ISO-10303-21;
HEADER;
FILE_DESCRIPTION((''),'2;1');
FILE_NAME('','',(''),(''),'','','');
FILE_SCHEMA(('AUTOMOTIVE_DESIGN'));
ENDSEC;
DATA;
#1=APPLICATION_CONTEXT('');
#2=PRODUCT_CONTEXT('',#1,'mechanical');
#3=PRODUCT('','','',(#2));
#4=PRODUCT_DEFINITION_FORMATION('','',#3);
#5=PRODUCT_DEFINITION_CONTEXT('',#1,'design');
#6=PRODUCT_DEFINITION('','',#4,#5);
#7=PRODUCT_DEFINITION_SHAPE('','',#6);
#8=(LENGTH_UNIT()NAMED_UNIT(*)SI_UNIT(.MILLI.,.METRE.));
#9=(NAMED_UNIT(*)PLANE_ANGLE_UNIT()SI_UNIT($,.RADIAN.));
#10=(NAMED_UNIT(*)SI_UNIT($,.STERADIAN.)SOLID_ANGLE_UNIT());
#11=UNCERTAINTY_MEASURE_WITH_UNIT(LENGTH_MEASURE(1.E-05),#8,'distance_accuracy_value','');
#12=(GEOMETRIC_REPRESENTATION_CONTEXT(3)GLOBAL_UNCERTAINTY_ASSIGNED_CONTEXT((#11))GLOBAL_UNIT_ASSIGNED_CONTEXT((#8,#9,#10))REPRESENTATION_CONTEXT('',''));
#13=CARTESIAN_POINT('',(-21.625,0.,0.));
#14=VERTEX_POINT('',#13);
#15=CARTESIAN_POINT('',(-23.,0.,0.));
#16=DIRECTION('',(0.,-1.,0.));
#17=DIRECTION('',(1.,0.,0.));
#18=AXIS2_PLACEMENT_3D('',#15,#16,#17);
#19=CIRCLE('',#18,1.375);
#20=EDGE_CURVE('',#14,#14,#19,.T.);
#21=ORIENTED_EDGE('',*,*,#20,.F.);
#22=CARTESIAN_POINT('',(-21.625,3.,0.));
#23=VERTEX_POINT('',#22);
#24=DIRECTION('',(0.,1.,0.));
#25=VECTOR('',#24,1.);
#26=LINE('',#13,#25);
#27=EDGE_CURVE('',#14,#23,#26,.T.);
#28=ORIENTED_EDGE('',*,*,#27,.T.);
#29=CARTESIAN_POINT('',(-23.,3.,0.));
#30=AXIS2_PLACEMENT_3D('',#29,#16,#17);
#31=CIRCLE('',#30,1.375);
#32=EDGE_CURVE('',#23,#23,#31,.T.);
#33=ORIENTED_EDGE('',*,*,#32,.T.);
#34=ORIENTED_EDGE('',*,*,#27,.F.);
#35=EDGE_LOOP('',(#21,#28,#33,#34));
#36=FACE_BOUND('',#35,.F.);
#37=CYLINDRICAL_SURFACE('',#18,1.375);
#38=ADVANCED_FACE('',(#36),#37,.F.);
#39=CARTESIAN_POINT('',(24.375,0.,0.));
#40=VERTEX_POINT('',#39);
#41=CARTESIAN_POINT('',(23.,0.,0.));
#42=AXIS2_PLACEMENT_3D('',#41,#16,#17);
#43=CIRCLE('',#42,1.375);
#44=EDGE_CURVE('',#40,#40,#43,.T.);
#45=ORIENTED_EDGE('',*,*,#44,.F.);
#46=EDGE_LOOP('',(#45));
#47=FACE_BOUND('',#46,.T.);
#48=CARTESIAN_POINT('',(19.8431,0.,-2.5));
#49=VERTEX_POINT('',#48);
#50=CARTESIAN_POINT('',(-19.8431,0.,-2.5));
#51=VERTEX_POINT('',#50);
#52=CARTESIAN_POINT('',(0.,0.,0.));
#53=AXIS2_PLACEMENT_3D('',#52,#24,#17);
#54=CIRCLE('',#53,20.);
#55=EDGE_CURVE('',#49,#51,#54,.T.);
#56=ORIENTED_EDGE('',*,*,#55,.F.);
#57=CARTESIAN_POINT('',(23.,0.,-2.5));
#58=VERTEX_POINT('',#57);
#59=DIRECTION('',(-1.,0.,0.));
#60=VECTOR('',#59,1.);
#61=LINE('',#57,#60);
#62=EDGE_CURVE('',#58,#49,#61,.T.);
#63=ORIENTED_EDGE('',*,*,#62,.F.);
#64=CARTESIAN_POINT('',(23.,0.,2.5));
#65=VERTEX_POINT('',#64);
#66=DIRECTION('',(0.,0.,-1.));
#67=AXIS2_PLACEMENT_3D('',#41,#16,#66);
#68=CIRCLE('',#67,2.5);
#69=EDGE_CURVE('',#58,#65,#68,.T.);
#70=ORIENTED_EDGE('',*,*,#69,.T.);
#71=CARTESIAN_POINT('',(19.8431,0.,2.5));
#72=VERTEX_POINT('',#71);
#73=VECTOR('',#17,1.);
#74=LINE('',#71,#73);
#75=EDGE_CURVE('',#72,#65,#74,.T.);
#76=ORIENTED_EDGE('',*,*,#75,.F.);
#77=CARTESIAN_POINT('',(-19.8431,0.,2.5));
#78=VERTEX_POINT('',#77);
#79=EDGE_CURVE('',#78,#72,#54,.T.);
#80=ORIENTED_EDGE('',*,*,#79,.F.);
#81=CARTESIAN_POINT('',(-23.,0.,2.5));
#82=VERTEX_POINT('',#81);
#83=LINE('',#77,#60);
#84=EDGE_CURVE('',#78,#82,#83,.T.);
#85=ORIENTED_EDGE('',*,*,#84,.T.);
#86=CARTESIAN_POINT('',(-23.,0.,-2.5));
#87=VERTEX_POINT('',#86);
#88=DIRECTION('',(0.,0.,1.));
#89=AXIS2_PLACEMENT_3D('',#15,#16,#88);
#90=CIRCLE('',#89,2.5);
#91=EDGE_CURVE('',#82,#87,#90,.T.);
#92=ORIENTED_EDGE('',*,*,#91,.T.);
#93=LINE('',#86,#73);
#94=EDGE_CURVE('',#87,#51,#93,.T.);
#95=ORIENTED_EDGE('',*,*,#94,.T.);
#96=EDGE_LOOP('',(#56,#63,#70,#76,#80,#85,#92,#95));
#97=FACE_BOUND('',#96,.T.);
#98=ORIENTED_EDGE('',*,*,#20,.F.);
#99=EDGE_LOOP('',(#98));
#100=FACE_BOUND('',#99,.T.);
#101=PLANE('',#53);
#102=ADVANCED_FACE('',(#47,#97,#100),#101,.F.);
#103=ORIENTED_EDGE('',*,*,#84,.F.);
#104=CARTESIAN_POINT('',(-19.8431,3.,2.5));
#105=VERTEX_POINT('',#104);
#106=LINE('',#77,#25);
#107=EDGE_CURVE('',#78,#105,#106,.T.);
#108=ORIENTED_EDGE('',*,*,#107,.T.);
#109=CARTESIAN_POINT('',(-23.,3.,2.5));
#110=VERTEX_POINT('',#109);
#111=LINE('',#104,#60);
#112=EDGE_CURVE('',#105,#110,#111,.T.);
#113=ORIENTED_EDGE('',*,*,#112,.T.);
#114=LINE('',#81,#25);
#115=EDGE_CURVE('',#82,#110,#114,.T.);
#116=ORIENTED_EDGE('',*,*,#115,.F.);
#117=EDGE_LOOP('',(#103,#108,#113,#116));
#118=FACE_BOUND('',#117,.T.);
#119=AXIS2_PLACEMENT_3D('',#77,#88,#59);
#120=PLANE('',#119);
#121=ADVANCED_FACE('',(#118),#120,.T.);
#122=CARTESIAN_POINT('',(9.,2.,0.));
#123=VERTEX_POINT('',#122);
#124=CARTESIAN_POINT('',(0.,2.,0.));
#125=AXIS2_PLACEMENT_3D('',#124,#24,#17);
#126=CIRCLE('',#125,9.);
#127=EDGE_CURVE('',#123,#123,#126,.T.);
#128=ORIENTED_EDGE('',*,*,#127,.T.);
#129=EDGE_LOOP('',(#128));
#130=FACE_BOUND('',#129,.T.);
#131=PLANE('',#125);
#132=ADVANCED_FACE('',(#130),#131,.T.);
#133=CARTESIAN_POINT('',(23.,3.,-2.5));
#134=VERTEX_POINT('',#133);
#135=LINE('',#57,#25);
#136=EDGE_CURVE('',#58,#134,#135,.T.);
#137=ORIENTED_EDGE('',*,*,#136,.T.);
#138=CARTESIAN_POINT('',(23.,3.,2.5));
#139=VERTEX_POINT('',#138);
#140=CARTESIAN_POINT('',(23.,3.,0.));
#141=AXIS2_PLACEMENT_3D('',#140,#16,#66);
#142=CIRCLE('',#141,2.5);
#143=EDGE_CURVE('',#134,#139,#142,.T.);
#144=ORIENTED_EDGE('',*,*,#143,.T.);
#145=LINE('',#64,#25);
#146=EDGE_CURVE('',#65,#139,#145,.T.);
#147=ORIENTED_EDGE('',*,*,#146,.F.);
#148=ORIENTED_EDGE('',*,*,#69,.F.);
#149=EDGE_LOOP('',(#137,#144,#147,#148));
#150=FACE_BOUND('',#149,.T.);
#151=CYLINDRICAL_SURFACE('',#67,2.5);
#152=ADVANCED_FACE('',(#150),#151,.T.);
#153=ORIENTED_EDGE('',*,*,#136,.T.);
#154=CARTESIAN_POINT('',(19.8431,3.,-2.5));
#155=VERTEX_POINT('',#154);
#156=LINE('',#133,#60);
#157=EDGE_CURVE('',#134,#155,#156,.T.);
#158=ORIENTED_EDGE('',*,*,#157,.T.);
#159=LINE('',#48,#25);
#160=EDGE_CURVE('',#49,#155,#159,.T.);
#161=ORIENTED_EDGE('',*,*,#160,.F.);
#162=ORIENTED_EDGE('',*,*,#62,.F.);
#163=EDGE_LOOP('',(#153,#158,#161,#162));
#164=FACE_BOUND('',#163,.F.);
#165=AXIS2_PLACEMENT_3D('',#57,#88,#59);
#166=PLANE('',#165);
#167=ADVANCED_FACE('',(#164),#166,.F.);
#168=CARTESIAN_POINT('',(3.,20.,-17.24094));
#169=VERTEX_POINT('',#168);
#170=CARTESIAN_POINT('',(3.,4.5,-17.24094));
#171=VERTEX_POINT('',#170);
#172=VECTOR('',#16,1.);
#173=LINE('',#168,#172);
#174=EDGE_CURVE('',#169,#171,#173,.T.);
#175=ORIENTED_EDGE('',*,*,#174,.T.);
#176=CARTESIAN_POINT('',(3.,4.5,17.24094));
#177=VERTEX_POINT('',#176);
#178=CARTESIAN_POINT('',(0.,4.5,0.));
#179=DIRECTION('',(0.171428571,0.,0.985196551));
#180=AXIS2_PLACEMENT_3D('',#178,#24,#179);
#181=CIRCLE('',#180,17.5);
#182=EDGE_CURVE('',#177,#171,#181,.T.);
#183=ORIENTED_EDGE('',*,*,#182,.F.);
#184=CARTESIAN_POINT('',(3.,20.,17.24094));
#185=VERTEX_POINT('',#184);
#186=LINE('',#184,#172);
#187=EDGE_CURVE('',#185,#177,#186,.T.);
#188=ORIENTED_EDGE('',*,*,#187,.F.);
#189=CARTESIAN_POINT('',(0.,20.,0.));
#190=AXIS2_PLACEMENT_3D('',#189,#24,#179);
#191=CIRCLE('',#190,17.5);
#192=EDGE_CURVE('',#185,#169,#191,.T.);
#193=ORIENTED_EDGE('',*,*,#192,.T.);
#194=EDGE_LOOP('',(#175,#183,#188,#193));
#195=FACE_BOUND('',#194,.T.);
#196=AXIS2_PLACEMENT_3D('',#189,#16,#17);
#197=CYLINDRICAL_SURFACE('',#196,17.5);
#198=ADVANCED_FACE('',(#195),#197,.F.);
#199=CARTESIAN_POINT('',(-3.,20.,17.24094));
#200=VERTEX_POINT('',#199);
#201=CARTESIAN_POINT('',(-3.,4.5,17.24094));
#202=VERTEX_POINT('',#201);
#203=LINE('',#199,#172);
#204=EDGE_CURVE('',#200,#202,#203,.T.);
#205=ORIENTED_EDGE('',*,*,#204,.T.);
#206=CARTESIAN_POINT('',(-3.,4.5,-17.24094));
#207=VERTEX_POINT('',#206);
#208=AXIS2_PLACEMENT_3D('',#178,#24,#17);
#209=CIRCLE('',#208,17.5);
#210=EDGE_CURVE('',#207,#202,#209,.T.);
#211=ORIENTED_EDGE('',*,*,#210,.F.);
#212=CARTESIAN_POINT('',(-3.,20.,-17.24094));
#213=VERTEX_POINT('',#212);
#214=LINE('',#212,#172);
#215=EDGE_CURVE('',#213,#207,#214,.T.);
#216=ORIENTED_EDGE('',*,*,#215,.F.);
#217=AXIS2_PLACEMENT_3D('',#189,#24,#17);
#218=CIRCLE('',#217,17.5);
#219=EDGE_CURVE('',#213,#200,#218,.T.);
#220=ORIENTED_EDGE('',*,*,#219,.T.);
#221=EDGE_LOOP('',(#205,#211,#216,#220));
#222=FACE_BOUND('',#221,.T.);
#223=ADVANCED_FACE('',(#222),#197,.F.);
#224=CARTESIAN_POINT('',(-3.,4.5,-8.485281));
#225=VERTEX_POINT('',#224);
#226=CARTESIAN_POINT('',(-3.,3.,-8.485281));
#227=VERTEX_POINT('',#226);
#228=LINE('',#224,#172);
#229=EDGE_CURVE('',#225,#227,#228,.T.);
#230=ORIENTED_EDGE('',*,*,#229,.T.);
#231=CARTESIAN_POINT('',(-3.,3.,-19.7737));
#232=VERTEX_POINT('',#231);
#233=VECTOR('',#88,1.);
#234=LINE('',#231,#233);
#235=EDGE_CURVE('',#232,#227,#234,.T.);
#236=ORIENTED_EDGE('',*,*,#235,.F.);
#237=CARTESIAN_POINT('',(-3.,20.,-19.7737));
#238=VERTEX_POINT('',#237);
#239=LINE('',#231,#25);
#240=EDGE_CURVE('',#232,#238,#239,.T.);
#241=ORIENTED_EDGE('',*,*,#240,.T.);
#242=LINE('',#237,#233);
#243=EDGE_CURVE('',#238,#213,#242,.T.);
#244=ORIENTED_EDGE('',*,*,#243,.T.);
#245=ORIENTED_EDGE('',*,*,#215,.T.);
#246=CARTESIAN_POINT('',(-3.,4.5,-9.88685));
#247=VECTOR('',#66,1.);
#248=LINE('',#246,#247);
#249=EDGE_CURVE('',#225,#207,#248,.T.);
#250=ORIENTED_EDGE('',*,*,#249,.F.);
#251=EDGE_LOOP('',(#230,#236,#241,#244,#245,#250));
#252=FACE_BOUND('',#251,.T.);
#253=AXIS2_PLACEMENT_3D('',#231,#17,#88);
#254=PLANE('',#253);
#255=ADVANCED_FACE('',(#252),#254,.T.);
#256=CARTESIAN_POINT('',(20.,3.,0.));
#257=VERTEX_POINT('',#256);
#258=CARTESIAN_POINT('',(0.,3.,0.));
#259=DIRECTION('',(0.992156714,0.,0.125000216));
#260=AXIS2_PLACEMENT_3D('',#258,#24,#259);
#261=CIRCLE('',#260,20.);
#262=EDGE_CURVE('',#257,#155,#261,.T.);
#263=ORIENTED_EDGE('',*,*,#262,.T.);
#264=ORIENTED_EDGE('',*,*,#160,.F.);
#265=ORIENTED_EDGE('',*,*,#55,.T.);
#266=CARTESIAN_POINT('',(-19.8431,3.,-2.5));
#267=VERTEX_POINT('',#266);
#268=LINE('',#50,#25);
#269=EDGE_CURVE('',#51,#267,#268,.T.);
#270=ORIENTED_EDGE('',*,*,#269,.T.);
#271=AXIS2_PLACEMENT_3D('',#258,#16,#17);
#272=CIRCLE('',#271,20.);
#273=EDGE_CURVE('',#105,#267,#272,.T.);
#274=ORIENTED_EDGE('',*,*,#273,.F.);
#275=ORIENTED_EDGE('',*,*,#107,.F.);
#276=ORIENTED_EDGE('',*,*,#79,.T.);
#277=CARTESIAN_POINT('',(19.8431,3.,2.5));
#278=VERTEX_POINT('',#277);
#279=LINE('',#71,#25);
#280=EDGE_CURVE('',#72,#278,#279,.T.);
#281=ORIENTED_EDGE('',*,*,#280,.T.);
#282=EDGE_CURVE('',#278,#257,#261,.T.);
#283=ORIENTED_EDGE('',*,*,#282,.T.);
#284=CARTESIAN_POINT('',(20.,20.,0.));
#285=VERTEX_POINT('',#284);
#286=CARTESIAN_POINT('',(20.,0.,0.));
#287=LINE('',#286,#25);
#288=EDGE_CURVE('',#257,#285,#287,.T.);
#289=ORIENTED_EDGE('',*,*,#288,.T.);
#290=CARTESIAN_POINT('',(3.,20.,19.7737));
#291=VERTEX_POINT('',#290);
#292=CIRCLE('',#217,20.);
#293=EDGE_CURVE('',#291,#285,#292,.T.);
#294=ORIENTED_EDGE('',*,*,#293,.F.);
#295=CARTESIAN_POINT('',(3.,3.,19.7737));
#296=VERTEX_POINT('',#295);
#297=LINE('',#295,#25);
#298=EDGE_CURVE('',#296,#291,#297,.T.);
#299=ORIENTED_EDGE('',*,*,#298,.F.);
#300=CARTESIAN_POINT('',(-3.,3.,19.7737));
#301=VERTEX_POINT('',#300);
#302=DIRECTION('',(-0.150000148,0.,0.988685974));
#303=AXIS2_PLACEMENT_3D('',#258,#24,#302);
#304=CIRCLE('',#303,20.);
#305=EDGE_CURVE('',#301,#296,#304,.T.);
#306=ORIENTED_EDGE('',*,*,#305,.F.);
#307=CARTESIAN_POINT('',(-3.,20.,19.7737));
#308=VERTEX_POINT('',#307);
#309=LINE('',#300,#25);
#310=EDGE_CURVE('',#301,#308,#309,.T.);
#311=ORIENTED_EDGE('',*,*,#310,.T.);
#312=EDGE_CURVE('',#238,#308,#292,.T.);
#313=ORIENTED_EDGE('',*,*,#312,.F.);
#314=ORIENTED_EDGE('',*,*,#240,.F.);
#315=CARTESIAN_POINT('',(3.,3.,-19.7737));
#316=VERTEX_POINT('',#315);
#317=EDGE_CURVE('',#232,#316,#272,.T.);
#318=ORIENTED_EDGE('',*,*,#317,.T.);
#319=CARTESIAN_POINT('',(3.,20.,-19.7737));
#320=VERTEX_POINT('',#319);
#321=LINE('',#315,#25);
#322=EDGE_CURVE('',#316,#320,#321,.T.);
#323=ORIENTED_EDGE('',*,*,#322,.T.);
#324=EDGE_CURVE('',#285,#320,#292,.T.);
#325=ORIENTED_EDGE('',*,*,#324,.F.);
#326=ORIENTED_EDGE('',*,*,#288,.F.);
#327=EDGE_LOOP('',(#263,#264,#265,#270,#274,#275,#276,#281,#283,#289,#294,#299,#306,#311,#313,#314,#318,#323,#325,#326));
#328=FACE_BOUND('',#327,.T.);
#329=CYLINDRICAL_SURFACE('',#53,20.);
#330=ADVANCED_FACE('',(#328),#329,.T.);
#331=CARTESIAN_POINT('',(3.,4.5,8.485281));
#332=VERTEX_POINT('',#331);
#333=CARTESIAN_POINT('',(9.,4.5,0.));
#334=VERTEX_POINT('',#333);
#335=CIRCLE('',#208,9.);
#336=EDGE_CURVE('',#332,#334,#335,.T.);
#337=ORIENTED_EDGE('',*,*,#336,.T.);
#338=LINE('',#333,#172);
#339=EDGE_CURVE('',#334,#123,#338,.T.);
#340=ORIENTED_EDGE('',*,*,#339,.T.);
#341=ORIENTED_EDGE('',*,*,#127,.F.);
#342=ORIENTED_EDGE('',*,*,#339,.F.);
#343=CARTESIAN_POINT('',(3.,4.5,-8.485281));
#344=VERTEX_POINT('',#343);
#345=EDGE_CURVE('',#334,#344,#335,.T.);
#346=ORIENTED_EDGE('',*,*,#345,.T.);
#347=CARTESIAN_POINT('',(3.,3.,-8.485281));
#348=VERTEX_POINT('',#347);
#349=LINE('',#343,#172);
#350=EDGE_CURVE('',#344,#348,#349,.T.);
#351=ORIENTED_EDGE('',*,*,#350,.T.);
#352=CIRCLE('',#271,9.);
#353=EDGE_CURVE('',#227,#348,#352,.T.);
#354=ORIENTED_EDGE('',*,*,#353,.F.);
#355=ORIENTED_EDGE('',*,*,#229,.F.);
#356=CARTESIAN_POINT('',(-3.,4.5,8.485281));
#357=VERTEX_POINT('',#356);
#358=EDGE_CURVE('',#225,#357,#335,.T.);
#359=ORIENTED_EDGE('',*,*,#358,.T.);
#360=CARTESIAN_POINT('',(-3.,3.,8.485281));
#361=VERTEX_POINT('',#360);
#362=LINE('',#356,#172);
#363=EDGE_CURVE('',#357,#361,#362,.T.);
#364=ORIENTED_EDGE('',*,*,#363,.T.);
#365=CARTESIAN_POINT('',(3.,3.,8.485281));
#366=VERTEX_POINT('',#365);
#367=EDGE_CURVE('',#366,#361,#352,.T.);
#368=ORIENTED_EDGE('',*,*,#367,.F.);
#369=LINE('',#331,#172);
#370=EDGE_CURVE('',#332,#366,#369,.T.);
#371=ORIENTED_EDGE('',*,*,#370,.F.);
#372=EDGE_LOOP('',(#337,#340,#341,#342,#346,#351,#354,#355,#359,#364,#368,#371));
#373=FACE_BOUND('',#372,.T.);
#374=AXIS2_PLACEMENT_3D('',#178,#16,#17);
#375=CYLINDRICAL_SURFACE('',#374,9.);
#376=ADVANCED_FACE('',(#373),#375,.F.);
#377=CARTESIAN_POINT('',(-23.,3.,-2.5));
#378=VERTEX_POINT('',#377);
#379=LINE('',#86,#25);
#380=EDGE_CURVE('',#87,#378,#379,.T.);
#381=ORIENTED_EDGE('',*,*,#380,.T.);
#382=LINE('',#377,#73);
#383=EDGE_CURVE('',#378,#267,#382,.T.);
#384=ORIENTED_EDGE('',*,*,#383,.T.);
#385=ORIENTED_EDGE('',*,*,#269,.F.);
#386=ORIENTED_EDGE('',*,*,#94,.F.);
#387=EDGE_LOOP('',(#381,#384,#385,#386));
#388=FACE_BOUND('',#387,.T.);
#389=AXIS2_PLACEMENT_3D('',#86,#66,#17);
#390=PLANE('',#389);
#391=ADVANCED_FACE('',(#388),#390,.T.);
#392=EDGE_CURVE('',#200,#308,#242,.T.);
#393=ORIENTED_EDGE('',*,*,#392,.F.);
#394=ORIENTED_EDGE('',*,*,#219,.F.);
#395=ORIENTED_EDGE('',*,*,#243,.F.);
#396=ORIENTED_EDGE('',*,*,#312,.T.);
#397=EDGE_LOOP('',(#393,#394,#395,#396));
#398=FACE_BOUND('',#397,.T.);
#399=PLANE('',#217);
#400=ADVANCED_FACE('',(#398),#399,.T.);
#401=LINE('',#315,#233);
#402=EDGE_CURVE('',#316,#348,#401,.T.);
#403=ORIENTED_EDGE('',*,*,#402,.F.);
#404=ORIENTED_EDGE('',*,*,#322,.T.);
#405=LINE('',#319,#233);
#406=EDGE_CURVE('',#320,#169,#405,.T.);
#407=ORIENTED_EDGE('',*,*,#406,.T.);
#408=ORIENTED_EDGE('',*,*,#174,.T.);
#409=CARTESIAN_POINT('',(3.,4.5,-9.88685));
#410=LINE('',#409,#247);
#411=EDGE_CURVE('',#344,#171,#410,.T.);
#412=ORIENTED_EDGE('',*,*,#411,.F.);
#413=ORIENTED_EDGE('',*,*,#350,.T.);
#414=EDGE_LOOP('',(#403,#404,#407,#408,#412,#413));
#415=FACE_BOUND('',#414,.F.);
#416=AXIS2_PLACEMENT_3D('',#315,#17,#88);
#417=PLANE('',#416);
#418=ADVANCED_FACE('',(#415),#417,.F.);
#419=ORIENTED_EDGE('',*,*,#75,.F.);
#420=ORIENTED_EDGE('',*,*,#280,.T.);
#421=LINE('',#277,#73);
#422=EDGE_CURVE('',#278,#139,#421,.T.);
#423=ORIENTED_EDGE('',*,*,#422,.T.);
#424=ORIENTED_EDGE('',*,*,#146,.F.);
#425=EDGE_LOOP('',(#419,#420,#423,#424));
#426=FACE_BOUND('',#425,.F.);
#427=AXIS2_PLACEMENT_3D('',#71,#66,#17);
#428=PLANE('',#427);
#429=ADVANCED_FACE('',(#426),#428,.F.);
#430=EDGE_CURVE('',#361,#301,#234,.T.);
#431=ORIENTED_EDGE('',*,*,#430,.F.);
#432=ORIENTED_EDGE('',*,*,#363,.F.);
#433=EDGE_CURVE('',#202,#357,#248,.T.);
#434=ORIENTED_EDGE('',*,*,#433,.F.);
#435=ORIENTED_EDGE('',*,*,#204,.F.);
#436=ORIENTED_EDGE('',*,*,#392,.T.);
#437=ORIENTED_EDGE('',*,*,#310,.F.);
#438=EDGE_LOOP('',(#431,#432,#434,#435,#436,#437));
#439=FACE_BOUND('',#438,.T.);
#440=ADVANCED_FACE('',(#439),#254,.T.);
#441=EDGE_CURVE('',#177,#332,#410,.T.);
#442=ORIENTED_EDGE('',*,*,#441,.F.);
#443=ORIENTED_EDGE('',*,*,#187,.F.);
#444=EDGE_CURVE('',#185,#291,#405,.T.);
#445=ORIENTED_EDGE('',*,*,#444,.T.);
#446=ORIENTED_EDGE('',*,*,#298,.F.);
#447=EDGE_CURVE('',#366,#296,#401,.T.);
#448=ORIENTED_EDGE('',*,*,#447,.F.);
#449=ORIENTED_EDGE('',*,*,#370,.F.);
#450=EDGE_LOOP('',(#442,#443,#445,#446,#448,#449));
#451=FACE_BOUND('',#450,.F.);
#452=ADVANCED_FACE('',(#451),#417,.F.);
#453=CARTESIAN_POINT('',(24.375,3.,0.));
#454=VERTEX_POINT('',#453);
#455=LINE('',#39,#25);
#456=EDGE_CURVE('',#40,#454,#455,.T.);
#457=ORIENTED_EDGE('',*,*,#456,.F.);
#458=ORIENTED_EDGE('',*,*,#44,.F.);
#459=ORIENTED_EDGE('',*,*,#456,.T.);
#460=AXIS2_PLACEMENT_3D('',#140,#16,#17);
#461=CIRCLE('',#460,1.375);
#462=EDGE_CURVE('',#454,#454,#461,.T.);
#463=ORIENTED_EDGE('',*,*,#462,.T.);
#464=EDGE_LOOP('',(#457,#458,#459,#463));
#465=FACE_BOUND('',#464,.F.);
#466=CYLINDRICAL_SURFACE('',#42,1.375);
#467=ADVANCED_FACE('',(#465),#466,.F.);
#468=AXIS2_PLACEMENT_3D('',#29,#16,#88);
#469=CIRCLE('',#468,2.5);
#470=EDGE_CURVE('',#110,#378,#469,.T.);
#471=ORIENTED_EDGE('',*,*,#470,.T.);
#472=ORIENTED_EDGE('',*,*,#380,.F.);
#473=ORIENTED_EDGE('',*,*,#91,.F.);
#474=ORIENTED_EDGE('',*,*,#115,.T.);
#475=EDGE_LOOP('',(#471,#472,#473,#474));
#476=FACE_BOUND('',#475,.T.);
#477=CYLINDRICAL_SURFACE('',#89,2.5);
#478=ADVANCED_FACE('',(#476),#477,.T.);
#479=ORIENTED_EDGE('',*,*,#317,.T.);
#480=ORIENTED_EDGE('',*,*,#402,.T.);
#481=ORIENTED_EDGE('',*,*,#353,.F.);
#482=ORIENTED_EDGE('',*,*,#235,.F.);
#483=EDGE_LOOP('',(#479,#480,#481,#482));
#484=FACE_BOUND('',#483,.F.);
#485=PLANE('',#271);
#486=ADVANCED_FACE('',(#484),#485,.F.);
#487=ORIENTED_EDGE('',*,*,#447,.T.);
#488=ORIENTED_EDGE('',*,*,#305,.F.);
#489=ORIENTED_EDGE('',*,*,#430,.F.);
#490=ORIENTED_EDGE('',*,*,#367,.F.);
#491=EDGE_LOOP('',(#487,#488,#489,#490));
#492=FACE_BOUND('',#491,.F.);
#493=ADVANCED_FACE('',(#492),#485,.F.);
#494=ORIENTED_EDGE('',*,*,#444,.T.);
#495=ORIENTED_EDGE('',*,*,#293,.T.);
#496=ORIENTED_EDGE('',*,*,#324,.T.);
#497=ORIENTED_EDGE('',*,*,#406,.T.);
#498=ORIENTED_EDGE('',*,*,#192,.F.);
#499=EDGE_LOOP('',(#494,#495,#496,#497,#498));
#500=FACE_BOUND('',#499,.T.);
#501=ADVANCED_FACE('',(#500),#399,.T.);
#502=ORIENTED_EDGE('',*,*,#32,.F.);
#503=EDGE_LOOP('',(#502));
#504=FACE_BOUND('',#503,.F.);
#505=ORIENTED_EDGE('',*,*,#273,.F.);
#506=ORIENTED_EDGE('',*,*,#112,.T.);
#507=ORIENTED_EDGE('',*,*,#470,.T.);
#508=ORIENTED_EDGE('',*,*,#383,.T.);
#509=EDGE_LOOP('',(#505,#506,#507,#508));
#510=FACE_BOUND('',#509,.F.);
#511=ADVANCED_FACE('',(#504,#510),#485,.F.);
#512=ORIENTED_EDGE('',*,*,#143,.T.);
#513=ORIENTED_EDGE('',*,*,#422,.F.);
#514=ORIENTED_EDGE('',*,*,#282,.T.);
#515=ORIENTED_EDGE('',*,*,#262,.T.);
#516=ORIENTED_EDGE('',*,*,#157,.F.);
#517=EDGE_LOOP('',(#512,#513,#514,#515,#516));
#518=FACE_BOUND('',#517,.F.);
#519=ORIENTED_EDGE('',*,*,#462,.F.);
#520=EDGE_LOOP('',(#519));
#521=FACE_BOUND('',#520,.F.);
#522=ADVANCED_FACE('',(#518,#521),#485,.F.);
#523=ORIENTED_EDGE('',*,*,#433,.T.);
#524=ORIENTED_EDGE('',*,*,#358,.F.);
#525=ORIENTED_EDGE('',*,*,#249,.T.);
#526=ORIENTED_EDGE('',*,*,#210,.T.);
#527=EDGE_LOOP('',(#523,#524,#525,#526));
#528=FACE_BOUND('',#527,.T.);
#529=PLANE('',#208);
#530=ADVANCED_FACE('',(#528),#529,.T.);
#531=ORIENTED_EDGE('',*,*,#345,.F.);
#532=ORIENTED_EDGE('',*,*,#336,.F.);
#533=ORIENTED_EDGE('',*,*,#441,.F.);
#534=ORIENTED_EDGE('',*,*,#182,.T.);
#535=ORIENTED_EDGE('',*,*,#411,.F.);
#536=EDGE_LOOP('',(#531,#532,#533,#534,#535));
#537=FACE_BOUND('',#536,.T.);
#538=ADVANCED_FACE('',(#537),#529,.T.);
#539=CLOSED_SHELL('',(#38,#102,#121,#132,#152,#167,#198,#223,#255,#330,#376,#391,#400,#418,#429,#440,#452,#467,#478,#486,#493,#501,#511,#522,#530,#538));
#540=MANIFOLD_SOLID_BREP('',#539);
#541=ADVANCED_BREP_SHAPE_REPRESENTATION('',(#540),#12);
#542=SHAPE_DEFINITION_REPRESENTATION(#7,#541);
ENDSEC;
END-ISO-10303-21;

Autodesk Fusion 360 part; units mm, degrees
sketch "Sketch2" plane through (0, 0, 0) normal (0, 0, 1) x (1, 0, 0)
  line L0 (0, -19) -> (0, -17)
  line L1 (0, -17) -> (0, 22) construction
  line L2 (-22, 0) -> (25, 0) construction
  line L3 (0, 0) -> (5, 0)
  line L4 (20, 0) -> (20, 20)
  line L5 (0, 0) -> (20, 0)
  line L6 (20, 20) -> (17.5, 20)
  line L7 (17.5, 20) -> (17.5, 4.5)
  line L8 (17.5, 4.5) -> (9, 4.5)
  line L9 (9, 4.5) -> (9, 2)
  line L10 (9, 2) -> (0, 2)
  line L11 (0, 2) -> (0, 0)
  dimension "d76" = 20
  dimension "d77" = 20
  dimension "d78" = 2
  dimension "d79" = 4.5
  dimension "d80" = 17.5
  dimension "d81" = 9
revolve "Revolve1" add sketch "Sketch2" angle 360 about axis through (0, -17, 0) along (0, 1, 0)
sketch "Sketch3" plane through (0, 0, 0) normal (0, -1, 0) x (1, 0, 0)
  circle A0 centre (0, 0) radius 20
  line L0 (3, -19.7737) -> (3, 19.7737)
  circle A1 centre (0, 0) radius 20
  line L1 (0, 1.75) -> (0, 22.5)
  line L2 (-3, -19.7737) -> (-3, 19.7737)
  line L3 (-19.8431, 2.5) -> (-23, 2.5)
  arc A2 (-23, 2.5) -> (-23, -2.5) centre (-23, 0) ccw
  line L4 (-23, -2.5) -> (-19.8431, -2.5)
  line L5 (-15, 0) -> (-23, 0) construction
  arc A3 (23, -2.5) -> (23, 2.5) centre (23, 0) ccw
  line L6 (23, -2.5) -> (19.8431, -2.5)
  line L7 (15, 0) -> (23, 0) construction
  line L8 (19.8431, 2.5) -> (23, 2.5)
  circle A4 centre (-23, 0) radius 1.375
  circle A5 centre (23, 0) radius 1.375
  dimension "d83" = 6
  dimension "d84" = 5
  dimension "d88" = 2.75
extrude "Extrude4" cut sketch "Sketch3" against normal blind 17 from surface at -3 contours A0 L0 A1 L2
extrude "Extrude5" add sketch "Sketch3" against normal blind 3 contours A0 A1 A3 L6 L8 | A0 A1 L3 A2 L4
sketch "Sketch4" plane through (0, 0, 0) normal (0, 0, 1) x (1, 0, 0)
